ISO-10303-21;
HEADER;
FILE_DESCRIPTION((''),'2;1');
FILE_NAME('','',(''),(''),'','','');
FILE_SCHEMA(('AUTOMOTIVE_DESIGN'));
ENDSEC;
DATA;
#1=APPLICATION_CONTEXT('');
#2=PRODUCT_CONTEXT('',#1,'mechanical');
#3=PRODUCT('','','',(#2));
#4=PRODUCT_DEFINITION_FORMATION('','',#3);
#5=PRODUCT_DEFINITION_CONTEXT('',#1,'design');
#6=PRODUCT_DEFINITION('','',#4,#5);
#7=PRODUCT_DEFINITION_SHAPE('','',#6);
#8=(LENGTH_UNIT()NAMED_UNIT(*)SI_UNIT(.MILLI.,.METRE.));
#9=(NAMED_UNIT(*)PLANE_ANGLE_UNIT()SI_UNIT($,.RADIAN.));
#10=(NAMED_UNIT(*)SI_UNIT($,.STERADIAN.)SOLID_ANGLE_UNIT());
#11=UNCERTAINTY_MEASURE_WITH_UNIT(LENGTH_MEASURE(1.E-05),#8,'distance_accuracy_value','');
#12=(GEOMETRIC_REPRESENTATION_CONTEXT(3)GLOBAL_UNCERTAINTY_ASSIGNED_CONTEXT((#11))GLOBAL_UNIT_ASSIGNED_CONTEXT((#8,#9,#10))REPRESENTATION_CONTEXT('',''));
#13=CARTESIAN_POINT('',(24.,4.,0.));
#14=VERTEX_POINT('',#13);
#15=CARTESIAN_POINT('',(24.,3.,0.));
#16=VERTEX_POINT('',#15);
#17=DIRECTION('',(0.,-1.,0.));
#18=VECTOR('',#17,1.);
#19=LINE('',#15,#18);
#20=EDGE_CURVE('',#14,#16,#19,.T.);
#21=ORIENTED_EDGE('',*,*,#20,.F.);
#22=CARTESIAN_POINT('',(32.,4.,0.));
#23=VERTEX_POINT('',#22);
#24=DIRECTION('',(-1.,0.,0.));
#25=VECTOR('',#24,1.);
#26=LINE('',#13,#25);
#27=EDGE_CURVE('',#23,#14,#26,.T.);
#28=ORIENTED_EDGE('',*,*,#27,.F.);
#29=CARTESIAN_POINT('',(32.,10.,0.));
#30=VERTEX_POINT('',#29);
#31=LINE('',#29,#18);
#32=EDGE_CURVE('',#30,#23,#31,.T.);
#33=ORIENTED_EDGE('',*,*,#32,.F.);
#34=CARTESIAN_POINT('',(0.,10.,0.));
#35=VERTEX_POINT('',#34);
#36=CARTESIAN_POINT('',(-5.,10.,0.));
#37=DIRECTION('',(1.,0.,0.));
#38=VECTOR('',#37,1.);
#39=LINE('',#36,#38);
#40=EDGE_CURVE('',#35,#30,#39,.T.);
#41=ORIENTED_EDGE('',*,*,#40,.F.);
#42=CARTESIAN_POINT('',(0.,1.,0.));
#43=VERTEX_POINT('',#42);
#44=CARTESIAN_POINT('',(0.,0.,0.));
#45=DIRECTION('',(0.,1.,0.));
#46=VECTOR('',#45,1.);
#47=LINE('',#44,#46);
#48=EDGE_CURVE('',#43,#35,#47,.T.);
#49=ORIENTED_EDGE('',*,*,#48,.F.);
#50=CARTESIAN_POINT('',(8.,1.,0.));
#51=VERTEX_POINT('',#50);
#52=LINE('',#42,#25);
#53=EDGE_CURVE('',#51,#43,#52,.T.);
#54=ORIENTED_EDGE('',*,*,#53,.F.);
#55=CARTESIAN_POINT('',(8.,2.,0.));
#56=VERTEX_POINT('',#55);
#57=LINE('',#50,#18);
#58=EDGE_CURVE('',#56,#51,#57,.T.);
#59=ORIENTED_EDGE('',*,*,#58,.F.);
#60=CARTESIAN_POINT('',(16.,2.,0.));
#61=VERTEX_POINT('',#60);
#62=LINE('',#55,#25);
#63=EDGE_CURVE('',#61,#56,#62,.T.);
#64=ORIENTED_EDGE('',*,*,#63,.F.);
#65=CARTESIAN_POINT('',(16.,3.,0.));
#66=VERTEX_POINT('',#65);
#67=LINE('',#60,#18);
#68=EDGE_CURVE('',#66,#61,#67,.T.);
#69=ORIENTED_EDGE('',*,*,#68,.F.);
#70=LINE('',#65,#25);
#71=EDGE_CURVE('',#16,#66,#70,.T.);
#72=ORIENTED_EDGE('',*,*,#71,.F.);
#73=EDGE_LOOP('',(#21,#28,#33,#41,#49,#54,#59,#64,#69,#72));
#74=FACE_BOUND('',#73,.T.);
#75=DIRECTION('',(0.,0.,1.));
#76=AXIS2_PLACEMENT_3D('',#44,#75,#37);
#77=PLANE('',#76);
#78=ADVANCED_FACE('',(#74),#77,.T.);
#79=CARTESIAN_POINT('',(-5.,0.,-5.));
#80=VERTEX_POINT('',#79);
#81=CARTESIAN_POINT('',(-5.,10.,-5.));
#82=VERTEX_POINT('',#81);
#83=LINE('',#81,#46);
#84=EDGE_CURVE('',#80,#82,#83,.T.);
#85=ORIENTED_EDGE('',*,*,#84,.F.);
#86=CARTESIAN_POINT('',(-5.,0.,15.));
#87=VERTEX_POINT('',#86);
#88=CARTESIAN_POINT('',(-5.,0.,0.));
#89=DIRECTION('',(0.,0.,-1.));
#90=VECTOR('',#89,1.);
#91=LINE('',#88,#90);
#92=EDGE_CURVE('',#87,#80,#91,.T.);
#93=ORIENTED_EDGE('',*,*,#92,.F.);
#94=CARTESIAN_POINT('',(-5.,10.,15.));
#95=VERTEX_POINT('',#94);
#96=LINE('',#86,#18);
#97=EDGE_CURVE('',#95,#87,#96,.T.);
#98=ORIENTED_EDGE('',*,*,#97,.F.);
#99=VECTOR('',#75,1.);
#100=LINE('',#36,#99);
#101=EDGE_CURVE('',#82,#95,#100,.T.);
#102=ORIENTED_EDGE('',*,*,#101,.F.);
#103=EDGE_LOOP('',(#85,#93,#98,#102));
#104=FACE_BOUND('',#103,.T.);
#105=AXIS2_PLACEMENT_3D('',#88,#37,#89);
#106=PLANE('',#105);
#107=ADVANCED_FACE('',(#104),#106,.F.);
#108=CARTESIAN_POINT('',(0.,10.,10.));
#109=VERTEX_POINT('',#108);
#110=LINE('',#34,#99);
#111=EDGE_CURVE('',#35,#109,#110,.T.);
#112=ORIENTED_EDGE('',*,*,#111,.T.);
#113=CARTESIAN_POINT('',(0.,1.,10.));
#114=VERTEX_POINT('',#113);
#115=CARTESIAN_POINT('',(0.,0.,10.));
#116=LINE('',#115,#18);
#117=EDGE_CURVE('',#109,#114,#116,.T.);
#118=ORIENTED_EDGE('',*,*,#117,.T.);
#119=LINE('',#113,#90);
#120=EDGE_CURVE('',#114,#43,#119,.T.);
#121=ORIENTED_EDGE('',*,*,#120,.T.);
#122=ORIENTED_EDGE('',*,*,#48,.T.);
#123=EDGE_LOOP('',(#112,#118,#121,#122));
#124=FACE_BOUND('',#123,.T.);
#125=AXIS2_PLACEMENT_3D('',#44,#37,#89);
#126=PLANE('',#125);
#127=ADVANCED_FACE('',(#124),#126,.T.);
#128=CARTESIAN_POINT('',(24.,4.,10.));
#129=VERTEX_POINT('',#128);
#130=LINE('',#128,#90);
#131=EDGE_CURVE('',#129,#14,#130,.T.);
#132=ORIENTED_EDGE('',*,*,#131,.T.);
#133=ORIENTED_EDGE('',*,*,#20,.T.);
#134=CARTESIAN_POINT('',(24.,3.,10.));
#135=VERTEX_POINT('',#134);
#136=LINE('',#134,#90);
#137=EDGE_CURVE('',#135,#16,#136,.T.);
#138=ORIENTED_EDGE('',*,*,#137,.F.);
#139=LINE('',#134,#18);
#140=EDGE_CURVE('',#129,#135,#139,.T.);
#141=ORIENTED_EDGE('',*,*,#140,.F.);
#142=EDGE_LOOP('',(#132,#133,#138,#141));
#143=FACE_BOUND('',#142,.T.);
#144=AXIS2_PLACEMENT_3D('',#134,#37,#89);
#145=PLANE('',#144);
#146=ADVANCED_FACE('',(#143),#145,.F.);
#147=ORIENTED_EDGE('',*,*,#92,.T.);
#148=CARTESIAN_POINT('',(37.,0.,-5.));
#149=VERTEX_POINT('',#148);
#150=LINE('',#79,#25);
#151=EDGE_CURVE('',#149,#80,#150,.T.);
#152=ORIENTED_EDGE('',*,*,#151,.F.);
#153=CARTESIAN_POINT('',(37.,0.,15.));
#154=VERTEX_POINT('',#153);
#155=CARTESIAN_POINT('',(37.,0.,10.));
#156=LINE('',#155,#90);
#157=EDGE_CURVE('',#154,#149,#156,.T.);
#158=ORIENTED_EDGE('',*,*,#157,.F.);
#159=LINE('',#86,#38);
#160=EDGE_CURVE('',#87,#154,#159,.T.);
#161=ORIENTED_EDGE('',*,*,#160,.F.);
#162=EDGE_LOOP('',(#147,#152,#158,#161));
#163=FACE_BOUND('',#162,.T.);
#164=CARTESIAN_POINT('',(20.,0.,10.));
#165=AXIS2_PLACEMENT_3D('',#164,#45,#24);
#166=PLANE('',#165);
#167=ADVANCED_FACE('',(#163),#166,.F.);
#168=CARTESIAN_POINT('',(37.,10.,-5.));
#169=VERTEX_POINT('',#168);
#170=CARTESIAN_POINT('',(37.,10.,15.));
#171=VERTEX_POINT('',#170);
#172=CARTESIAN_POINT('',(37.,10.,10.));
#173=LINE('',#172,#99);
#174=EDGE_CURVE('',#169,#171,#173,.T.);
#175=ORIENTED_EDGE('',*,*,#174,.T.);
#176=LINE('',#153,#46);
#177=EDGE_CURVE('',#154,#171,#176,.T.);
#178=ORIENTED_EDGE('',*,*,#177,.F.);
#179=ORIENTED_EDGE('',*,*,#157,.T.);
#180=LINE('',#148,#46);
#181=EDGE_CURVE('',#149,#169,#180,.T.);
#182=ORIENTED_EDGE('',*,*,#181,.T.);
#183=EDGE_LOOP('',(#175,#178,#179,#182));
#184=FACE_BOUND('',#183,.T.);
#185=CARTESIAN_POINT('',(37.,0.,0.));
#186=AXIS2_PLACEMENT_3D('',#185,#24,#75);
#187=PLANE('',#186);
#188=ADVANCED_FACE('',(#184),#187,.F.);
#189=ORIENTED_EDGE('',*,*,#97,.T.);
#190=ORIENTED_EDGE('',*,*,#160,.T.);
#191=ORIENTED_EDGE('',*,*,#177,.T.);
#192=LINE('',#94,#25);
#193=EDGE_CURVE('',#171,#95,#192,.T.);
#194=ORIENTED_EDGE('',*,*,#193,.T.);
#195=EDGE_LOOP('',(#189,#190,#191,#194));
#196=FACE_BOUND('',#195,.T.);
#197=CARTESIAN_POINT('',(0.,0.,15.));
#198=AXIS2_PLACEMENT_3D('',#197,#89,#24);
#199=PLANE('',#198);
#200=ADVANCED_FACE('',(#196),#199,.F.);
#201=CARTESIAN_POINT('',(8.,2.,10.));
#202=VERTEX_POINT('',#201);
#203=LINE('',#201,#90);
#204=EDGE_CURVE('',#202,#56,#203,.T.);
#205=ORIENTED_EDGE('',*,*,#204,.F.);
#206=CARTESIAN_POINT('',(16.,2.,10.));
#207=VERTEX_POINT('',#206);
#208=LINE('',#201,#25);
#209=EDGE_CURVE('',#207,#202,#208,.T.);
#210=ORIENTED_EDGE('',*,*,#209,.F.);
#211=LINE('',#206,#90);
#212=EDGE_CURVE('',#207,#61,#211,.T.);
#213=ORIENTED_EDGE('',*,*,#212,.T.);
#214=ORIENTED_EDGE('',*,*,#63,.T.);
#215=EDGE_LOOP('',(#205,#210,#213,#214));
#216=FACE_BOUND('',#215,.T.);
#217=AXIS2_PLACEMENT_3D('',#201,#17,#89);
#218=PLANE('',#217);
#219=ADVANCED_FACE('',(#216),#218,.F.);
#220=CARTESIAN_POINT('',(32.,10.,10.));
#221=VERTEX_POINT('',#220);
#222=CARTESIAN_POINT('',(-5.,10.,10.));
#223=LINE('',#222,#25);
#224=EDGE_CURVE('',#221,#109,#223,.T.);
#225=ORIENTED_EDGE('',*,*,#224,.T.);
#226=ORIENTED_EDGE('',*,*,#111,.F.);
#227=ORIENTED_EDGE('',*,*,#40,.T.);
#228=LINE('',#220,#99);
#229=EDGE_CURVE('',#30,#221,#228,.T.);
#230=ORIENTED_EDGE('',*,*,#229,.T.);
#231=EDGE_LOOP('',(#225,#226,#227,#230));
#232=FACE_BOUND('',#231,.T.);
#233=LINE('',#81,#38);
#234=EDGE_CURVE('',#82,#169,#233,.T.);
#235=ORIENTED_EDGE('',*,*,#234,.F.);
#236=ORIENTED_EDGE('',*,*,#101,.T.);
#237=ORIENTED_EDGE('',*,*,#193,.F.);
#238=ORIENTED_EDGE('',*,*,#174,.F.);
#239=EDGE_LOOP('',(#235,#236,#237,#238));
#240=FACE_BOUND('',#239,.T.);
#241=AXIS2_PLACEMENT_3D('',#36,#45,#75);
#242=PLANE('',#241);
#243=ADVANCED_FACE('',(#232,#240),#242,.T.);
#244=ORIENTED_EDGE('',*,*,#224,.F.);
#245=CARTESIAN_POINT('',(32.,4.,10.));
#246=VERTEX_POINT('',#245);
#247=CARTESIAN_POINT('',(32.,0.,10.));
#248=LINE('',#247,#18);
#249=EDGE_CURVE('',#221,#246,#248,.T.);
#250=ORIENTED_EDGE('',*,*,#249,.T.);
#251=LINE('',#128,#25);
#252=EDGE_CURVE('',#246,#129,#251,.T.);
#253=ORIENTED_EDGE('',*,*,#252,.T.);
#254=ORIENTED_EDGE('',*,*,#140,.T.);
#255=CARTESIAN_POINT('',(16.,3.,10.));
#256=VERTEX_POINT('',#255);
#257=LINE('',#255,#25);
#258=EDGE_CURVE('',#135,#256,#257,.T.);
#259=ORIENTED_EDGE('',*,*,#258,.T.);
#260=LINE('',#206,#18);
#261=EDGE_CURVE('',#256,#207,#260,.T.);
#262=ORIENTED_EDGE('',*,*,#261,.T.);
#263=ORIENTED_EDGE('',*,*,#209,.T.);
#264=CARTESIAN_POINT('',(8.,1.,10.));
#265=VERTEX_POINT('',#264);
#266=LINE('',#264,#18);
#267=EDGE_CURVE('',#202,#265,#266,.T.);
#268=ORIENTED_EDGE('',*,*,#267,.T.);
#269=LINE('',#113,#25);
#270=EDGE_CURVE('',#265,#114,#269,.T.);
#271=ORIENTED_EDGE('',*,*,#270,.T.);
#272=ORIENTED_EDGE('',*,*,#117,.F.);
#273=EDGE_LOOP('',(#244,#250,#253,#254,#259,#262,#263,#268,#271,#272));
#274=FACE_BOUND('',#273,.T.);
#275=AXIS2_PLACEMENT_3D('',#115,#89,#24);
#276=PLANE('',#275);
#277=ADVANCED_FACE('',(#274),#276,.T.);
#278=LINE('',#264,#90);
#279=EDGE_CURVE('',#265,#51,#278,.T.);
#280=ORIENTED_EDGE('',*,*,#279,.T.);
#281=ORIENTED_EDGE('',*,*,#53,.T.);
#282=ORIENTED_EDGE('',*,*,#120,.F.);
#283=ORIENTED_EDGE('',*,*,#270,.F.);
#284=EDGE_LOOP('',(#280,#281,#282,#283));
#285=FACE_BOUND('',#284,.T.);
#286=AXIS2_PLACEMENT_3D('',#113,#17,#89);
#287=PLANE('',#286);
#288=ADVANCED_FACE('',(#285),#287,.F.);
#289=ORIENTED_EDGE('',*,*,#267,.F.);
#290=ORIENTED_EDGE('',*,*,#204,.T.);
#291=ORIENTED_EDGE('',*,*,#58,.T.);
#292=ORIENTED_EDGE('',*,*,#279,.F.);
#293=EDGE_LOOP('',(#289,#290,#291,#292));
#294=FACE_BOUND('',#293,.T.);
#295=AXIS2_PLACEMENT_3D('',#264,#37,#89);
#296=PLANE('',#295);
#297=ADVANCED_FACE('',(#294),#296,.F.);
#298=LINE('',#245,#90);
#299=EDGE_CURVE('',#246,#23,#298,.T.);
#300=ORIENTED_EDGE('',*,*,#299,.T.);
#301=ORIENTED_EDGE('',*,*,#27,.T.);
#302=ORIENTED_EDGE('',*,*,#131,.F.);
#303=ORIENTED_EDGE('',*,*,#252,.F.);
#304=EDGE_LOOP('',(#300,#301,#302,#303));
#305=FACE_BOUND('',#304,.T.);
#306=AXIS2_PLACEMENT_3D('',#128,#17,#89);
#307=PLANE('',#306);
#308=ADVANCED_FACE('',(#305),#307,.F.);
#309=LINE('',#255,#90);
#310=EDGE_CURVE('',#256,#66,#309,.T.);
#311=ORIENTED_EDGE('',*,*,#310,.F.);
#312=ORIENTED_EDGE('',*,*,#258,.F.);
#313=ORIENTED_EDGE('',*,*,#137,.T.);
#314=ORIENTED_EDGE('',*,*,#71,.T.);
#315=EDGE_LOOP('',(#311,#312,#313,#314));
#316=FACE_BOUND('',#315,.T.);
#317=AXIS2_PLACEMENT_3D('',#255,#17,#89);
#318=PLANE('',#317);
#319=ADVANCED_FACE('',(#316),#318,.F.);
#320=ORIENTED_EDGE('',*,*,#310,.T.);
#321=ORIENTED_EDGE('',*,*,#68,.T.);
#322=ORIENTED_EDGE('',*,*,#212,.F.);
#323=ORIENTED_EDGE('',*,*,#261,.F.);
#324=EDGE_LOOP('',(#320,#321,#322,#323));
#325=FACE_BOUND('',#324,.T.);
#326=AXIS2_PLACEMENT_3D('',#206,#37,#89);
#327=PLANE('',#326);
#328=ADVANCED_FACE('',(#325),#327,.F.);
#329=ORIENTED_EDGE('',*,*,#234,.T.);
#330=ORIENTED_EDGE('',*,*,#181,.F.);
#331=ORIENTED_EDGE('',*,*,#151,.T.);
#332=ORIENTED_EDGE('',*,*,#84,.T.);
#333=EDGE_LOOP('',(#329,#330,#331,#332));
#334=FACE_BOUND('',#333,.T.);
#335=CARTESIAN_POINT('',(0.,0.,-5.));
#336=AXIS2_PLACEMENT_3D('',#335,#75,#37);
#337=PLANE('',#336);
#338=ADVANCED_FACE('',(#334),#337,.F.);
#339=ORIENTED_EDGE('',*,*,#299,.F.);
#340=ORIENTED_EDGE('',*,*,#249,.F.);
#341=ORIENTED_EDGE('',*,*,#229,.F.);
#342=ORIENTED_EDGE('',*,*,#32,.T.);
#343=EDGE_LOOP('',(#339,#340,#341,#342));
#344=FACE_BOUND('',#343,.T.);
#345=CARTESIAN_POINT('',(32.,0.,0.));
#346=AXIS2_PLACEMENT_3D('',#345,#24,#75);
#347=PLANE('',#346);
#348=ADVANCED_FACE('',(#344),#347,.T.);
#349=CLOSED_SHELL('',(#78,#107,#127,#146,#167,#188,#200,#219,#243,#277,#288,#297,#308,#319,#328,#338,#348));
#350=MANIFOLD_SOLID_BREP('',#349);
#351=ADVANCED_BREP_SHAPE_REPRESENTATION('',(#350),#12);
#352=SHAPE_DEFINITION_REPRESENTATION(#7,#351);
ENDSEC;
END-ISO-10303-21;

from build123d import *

# Parameters (mm, degrees)
BOSS_EXTRUDE1_DEPTH = 10
SKETCH6_W           = 10
SKETCH6_H           = 10
BOSS_EXTRUDE2_DEPTH = 5
SKETCH7_W           = 37
SKETCH7_H           = 10
BOSS_EXTRUDE3_DEPTH = 5
SKETCH8_W           = 15
SKETCH8_H           = 10
BOSS_EXTRUDE4_DEPTH = 5
SKETCH9_W           = 42
SKETCH9_H           = 10
BOSS_EXTRUDE5_DEPTH = 5


with BuildPart() as part:
    # Sketch3 → Boss-Extrude1 (new body)
    with BuildSketch(Plane.XY):
        Polygon((32, 4), (32, 0), (20, 0), (0, 0), (0, 1), (8, 1), (8, 2), (16, 2), (16, 3), (24, 3), (24, 4), align=None)
    extrude(amount=BOSS_EXTRUDE1_DEPTH)

    # Sketch6 → Boss-Extrude2 (add)
    with BuildSketch(Plane(origin=(0, 0, 0), x_dir=(0, 0, -1), z_dir=(1, 0, 0))):
        with Locations((-5, 5)):
            Rectangle(SKETCH6_W, SKETCH6_H)
    extrude(amount=-BOSS_EXTRUDE2_DEPTH)

    # Sketch7 → Boss-Extrude3 (add)
    with BuildSketch(Plane(origin=(0, 0, 0), x_dir=(-1, 0, 0), z_dir=(0, 0, -1))):
        with Locations((-13.5, 5)):
            Rectangle(SKETCH7_W, SKETCH7_H)
    extrude(amount=BOSS_EXTRUDE3_DEPTH)

    # Sketch8 → Boss-Extrude4 (add)
    with BuildSketch(Plane(origin=(32, 0, 0), x_dir=(0, 0, -1), z_dir=(1, 0, 0))):
        with Locations((-2.5, 5)):
            Rectangle(SKETCH8_W, SKETCH8_H)
    extrude(amount=BOSS_EXTRUDE4_DEPTH)

    # Sketch9 → Boss-Extrude5 (add)
    with BuildSketch(Plane.XY.offset(10)):
        with Locations((16, 5)):
            Rectangle(SKETCH9_W, SKETCH9_H)
    extrude(amount=BOSS_EXTRUDE5_DEPTH)


solid = part.part
